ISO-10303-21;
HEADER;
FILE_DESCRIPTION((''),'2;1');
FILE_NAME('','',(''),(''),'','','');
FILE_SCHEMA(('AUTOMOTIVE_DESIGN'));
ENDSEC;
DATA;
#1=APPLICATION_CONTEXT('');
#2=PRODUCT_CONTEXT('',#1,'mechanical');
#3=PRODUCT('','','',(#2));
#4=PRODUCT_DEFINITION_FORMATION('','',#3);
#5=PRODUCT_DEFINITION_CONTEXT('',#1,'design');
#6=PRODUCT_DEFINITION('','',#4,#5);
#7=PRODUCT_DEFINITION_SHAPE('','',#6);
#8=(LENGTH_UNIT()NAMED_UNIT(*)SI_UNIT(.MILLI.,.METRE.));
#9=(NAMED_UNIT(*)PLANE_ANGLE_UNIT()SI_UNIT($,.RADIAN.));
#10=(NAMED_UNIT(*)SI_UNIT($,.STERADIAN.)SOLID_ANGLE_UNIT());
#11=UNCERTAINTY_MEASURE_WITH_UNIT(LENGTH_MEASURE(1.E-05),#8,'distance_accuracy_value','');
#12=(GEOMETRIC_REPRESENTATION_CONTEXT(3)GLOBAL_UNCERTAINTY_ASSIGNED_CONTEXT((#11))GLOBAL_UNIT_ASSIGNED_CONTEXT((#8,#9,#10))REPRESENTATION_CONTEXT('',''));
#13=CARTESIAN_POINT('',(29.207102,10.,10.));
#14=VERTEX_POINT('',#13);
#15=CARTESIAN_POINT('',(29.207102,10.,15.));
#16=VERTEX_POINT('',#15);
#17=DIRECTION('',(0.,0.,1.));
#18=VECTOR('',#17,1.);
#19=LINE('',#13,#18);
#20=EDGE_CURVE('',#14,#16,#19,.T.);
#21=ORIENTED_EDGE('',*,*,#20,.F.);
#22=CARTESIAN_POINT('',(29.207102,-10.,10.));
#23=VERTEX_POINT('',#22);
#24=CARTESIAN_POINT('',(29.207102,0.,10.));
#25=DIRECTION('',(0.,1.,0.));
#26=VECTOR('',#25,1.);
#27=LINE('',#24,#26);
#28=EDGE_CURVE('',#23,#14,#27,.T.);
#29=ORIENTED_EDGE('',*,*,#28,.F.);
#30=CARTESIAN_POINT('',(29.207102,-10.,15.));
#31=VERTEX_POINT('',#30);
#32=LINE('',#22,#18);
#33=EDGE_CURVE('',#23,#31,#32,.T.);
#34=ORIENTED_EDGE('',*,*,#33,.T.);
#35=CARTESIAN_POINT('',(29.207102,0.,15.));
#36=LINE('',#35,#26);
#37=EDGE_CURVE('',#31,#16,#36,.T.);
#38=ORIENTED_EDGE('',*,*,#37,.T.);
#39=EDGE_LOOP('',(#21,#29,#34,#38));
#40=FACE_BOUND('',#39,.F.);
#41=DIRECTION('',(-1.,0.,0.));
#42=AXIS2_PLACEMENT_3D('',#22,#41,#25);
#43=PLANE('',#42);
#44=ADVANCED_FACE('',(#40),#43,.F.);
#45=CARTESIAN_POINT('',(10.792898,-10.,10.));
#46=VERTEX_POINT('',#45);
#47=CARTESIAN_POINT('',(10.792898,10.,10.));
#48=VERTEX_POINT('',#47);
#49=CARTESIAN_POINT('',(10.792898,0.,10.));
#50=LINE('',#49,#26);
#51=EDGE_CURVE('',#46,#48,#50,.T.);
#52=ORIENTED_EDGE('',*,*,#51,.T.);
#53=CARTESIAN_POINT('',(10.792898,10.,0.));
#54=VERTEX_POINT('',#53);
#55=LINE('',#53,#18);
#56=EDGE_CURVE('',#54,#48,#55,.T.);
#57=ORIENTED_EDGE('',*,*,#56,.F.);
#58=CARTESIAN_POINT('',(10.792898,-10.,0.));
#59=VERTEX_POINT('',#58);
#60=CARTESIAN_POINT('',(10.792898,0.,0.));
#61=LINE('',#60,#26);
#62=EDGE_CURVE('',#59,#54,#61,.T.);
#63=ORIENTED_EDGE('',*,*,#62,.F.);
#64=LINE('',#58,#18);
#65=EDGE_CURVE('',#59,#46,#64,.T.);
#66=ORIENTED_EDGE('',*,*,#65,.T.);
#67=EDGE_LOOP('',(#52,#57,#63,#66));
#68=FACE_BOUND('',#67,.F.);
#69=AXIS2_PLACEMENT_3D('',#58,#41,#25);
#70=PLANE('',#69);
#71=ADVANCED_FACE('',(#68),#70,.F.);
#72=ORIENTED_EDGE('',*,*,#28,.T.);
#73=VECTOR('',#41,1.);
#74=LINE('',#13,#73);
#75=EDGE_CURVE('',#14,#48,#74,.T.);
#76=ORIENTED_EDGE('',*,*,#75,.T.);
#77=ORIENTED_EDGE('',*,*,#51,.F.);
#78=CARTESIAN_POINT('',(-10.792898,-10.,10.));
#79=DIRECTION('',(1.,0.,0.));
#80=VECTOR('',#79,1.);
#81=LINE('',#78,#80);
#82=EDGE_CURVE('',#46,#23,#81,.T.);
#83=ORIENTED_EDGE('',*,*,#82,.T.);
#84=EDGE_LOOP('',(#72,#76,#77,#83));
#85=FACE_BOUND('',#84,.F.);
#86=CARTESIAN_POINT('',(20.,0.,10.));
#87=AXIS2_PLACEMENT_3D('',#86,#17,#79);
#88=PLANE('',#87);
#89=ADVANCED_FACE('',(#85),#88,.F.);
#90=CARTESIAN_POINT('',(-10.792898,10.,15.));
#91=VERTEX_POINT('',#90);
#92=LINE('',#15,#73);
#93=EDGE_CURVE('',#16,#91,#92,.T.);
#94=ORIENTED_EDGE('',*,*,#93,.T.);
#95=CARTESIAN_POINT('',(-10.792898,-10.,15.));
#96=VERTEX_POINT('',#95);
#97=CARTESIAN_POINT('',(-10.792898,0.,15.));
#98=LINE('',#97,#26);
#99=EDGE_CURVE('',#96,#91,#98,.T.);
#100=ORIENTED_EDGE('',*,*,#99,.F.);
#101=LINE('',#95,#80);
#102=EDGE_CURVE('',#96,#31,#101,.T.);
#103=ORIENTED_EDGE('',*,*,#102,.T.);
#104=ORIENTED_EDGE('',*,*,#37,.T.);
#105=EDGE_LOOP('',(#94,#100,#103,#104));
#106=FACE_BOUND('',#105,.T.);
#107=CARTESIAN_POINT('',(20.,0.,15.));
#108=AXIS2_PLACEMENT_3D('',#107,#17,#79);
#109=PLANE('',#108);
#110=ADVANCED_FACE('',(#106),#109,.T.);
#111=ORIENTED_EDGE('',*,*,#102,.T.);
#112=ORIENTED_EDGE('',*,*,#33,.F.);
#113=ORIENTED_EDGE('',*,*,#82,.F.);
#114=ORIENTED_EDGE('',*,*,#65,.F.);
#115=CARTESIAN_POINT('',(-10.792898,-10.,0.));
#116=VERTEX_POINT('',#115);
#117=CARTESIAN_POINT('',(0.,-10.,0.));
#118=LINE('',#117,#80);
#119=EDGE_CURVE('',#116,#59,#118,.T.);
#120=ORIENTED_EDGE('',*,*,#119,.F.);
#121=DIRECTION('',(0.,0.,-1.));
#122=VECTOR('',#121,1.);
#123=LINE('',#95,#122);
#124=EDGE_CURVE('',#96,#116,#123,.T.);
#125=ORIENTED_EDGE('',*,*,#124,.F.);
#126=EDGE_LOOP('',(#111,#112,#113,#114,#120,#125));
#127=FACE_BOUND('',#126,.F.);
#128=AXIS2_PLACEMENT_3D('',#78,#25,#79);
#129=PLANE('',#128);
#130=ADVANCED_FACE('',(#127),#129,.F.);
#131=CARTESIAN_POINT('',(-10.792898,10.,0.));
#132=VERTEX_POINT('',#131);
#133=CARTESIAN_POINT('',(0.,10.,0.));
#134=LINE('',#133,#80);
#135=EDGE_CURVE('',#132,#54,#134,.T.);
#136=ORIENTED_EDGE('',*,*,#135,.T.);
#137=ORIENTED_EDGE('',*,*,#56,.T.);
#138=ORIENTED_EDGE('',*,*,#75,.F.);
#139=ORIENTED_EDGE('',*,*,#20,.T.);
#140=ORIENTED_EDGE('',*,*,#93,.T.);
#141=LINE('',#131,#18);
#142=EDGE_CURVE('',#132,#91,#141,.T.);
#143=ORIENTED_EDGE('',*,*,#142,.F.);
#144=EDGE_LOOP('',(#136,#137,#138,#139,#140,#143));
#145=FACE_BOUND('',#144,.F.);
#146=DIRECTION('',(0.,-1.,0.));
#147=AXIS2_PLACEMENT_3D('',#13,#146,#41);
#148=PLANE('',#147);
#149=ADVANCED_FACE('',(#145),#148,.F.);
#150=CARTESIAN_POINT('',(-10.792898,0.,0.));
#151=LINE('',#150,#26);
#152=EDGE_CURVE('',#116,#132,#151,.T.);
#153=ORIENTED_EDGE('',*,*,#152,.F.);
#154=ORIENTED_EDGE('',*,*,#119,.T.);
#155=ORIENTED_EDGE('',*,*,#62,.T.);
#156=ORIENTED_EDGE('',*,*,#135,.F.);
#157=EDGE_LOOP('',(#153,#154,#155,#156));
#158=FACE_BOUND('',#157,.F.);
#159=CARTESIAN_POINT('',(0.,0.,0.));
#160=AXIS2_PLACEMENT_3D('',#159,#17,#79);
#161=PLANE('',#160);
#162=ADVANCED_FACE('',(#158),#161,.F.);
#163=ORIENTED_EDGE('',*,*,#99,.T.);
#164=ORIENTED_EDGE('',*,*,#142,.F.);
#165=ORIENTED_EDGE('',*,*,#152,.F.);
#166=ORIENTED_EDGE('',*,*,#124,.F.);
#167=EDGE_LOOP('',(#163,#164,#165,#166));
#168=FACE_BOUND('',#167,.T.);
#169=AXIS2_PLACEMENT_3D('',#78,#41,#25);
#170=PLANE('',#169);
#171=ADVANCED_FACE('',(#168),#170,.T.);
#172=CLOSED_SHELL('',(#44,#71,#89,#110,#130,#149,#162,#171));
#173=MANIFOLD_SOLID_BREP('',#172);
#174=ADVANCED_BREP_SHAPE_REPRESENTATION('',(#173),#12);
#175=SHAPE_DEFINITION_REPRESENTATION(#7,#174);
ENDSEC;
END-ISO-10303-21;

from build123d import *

# Parameters (mm, degrees)
F0_W     = 21.585796
F0_H     = 20
F1_DEPTH = 10
F2_W     = 18.414204
F2_H     = 20
F2_W_2   = 21.585796
F3_DEPTH = 5


with BuildPart() as f1:
    # F0 (on Top) → F1 (new body)
    with BuildSketch(Plane.XY):
        Rectangle(F0_W, F0_H)
    extrude(amount=F1_DEPTH)

    # F2 (on face) → F3 (join)
    with BuildSketch(Plane.XY.offset(10)):
        with Locations((20, 0)):
            Rectangle(F2_W, F2_H)
        Rectangle(F2_W_2, F2_H)
    extrude(amount=F3_DEPTH)


solid = f1.part
